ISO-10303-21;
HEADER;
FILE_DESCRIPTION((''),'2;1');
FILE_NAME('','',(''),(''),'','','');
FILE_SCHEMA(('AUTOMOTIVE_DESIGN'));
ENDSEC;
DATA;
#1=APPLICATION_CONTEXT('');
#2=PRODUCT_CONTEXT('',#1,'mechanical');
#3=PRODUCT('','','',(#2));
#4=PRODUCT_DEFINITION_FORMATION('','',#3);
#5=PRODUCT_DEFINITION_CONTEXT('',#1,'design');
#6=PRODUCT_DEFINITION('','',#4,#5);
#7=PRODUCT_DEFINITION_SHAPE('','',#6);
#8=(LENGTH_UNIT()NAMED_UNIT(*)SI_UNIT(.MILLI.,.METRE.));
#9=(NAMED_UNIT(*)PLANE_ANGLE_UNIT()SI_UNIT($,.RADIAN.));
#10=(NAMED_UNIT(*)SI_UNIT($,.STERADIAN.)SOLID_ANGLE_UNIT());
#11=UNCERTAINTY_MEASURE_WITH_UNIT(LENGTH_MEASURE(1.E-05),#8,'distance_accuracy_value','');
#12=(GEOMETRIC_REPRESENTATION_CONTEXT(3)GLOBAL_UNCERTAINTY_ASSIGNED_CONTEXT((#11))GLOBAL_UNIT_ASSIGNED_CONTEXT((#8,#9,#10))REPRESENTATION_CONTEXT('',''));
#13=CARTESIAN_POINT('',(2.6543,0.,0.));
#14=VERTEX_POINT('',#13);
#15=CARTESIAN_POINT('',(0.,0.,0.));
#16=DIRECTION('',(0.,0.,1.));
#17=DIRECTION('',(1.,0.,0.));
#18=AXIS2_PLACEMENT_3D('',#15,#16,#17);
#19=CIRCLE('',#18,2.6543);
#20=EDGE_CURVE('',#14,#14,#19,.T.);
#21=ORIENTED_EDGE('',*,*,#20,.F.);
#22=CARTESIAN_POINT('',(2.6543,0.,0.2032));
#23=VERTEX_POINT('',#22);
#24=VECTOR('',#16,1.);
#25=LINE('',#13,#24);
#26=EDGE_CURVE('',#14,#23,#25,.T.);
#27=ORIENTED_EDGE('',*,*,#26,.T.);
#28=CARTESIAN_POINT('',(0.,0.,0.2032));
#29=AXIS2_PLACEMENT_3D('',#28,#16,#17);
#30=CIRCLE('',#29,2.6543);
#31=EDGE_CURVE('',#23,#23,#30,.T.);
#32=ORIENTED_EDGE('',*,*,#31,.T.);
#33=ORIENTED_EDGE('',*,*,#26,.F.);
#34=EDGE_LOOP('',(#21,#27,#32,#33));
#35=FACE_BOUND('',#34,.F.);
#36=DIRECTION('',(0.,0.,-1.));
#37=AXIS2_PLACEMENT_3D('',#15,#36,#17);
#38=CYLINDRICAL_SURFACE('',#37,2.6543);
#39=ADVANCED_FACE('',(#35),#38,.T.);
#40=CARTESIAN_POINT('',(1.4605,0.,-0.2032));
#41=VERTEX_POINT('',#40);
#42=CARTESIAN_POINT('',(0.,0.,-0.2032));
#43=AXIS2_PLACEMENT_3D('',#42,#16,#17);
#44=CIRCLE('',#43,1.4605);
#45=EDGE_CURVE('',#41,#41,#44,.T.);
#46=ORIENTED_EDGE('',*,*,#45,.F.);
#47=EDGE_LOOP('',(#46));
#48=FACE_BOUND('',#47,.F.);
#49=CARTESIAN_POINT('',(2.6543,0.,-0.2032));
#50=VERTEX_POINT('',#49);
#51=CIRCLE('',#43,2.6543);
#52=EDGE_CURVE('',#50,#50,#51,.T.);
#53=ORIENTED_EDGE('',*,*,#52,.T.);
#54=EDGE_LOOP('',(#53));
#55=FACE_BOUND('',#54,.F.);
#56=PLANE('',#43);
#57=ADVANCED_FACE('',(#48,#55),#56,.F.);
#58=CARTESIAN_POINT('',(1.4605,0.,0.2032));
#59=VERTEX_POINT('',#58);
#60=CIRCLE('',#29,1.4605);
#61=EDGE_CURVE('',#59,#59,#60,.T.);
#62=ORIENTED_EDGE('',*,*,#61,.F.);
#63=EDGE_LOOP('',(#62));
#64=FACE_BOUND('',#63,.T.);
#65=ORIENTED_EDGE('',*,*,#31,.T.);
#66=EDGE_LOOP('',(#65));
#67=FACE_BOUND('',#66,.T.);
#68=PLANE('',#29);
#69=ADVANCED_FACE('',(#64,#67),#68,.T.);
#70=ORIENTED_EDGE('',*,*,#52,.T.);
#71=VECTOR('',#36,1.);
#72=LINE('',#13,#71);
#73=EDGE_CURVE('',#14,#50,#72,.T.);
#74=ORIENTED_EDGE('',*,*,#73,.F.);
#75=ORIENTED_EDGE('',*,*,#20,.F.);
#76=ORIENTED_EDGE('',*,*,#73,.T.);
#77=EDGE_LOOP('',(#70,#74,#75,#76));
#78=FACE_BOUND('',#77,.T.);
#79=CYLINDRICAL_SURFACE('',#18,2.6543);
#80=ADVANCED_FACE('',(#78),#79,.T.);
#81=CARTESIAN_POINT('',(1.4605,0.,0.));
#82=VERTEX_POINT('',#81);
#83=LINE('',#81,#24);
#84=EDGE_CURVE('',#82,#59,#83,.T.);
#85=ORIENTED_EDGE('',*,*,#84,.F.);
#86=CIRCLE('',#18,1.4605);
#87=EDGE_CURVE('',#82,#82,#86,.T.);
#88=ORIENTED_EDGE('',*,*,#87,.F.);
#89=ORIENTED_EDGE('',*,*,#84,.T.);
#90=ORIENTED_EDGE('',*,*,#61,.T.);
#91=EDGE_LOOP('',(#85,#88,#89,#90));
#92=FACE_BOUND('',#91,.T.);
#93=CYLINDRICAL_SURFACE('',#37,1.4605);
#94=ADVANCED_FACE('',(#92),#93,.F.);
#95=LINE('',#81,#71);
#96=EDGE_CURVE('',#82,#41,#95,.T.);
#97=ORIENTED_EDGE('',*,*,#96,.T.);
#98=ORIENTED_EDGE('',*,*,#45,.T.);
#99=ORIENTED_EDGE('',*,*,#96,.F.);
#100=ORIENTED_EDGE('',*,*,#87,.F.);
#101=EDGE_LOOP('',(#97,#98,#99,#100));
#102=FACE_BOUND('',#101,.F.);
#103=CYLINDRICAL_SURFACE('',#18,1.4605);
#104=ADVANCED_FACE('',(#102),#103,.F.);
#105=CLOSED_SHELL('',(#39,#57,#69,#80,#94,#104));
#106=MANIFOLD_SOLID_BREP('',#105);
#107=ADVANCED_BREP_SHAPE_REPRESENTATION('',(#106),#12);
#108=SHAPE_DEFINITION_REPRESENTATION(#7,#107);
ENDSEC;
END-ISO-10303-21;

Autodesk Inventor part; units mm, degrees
ref_plane "YZ Plane" through (0, 0, 0) normal (1, 0, 0) x (0, 1, 0)
ref_plane "XZ Plane" through (0, 0, 0) normal (0, 1, 0) x (-1, 0, 0)
ref_plane "XY Plane" through (0, 0, 0) normal (0, 0, 1) x (1, 0, 0)
sketch "Sketch1" plane through (0, 0, 0) normal (0, 0, 1) x (1, 0, 0)
  circle A0 centre (0, 0) radius 1.4605
  circle A1 centre (0, 0) radius 2.6543
  dimension "d0" = 2.921
  dimension "d1" = 5.3086
extrude "Extrusion1" add sketch "Sketch1" along normal mid plane 0.4064
properties part number "NAS620-C4L / MCMASTER-CARR 90945A710" material "Stainless Steel"
